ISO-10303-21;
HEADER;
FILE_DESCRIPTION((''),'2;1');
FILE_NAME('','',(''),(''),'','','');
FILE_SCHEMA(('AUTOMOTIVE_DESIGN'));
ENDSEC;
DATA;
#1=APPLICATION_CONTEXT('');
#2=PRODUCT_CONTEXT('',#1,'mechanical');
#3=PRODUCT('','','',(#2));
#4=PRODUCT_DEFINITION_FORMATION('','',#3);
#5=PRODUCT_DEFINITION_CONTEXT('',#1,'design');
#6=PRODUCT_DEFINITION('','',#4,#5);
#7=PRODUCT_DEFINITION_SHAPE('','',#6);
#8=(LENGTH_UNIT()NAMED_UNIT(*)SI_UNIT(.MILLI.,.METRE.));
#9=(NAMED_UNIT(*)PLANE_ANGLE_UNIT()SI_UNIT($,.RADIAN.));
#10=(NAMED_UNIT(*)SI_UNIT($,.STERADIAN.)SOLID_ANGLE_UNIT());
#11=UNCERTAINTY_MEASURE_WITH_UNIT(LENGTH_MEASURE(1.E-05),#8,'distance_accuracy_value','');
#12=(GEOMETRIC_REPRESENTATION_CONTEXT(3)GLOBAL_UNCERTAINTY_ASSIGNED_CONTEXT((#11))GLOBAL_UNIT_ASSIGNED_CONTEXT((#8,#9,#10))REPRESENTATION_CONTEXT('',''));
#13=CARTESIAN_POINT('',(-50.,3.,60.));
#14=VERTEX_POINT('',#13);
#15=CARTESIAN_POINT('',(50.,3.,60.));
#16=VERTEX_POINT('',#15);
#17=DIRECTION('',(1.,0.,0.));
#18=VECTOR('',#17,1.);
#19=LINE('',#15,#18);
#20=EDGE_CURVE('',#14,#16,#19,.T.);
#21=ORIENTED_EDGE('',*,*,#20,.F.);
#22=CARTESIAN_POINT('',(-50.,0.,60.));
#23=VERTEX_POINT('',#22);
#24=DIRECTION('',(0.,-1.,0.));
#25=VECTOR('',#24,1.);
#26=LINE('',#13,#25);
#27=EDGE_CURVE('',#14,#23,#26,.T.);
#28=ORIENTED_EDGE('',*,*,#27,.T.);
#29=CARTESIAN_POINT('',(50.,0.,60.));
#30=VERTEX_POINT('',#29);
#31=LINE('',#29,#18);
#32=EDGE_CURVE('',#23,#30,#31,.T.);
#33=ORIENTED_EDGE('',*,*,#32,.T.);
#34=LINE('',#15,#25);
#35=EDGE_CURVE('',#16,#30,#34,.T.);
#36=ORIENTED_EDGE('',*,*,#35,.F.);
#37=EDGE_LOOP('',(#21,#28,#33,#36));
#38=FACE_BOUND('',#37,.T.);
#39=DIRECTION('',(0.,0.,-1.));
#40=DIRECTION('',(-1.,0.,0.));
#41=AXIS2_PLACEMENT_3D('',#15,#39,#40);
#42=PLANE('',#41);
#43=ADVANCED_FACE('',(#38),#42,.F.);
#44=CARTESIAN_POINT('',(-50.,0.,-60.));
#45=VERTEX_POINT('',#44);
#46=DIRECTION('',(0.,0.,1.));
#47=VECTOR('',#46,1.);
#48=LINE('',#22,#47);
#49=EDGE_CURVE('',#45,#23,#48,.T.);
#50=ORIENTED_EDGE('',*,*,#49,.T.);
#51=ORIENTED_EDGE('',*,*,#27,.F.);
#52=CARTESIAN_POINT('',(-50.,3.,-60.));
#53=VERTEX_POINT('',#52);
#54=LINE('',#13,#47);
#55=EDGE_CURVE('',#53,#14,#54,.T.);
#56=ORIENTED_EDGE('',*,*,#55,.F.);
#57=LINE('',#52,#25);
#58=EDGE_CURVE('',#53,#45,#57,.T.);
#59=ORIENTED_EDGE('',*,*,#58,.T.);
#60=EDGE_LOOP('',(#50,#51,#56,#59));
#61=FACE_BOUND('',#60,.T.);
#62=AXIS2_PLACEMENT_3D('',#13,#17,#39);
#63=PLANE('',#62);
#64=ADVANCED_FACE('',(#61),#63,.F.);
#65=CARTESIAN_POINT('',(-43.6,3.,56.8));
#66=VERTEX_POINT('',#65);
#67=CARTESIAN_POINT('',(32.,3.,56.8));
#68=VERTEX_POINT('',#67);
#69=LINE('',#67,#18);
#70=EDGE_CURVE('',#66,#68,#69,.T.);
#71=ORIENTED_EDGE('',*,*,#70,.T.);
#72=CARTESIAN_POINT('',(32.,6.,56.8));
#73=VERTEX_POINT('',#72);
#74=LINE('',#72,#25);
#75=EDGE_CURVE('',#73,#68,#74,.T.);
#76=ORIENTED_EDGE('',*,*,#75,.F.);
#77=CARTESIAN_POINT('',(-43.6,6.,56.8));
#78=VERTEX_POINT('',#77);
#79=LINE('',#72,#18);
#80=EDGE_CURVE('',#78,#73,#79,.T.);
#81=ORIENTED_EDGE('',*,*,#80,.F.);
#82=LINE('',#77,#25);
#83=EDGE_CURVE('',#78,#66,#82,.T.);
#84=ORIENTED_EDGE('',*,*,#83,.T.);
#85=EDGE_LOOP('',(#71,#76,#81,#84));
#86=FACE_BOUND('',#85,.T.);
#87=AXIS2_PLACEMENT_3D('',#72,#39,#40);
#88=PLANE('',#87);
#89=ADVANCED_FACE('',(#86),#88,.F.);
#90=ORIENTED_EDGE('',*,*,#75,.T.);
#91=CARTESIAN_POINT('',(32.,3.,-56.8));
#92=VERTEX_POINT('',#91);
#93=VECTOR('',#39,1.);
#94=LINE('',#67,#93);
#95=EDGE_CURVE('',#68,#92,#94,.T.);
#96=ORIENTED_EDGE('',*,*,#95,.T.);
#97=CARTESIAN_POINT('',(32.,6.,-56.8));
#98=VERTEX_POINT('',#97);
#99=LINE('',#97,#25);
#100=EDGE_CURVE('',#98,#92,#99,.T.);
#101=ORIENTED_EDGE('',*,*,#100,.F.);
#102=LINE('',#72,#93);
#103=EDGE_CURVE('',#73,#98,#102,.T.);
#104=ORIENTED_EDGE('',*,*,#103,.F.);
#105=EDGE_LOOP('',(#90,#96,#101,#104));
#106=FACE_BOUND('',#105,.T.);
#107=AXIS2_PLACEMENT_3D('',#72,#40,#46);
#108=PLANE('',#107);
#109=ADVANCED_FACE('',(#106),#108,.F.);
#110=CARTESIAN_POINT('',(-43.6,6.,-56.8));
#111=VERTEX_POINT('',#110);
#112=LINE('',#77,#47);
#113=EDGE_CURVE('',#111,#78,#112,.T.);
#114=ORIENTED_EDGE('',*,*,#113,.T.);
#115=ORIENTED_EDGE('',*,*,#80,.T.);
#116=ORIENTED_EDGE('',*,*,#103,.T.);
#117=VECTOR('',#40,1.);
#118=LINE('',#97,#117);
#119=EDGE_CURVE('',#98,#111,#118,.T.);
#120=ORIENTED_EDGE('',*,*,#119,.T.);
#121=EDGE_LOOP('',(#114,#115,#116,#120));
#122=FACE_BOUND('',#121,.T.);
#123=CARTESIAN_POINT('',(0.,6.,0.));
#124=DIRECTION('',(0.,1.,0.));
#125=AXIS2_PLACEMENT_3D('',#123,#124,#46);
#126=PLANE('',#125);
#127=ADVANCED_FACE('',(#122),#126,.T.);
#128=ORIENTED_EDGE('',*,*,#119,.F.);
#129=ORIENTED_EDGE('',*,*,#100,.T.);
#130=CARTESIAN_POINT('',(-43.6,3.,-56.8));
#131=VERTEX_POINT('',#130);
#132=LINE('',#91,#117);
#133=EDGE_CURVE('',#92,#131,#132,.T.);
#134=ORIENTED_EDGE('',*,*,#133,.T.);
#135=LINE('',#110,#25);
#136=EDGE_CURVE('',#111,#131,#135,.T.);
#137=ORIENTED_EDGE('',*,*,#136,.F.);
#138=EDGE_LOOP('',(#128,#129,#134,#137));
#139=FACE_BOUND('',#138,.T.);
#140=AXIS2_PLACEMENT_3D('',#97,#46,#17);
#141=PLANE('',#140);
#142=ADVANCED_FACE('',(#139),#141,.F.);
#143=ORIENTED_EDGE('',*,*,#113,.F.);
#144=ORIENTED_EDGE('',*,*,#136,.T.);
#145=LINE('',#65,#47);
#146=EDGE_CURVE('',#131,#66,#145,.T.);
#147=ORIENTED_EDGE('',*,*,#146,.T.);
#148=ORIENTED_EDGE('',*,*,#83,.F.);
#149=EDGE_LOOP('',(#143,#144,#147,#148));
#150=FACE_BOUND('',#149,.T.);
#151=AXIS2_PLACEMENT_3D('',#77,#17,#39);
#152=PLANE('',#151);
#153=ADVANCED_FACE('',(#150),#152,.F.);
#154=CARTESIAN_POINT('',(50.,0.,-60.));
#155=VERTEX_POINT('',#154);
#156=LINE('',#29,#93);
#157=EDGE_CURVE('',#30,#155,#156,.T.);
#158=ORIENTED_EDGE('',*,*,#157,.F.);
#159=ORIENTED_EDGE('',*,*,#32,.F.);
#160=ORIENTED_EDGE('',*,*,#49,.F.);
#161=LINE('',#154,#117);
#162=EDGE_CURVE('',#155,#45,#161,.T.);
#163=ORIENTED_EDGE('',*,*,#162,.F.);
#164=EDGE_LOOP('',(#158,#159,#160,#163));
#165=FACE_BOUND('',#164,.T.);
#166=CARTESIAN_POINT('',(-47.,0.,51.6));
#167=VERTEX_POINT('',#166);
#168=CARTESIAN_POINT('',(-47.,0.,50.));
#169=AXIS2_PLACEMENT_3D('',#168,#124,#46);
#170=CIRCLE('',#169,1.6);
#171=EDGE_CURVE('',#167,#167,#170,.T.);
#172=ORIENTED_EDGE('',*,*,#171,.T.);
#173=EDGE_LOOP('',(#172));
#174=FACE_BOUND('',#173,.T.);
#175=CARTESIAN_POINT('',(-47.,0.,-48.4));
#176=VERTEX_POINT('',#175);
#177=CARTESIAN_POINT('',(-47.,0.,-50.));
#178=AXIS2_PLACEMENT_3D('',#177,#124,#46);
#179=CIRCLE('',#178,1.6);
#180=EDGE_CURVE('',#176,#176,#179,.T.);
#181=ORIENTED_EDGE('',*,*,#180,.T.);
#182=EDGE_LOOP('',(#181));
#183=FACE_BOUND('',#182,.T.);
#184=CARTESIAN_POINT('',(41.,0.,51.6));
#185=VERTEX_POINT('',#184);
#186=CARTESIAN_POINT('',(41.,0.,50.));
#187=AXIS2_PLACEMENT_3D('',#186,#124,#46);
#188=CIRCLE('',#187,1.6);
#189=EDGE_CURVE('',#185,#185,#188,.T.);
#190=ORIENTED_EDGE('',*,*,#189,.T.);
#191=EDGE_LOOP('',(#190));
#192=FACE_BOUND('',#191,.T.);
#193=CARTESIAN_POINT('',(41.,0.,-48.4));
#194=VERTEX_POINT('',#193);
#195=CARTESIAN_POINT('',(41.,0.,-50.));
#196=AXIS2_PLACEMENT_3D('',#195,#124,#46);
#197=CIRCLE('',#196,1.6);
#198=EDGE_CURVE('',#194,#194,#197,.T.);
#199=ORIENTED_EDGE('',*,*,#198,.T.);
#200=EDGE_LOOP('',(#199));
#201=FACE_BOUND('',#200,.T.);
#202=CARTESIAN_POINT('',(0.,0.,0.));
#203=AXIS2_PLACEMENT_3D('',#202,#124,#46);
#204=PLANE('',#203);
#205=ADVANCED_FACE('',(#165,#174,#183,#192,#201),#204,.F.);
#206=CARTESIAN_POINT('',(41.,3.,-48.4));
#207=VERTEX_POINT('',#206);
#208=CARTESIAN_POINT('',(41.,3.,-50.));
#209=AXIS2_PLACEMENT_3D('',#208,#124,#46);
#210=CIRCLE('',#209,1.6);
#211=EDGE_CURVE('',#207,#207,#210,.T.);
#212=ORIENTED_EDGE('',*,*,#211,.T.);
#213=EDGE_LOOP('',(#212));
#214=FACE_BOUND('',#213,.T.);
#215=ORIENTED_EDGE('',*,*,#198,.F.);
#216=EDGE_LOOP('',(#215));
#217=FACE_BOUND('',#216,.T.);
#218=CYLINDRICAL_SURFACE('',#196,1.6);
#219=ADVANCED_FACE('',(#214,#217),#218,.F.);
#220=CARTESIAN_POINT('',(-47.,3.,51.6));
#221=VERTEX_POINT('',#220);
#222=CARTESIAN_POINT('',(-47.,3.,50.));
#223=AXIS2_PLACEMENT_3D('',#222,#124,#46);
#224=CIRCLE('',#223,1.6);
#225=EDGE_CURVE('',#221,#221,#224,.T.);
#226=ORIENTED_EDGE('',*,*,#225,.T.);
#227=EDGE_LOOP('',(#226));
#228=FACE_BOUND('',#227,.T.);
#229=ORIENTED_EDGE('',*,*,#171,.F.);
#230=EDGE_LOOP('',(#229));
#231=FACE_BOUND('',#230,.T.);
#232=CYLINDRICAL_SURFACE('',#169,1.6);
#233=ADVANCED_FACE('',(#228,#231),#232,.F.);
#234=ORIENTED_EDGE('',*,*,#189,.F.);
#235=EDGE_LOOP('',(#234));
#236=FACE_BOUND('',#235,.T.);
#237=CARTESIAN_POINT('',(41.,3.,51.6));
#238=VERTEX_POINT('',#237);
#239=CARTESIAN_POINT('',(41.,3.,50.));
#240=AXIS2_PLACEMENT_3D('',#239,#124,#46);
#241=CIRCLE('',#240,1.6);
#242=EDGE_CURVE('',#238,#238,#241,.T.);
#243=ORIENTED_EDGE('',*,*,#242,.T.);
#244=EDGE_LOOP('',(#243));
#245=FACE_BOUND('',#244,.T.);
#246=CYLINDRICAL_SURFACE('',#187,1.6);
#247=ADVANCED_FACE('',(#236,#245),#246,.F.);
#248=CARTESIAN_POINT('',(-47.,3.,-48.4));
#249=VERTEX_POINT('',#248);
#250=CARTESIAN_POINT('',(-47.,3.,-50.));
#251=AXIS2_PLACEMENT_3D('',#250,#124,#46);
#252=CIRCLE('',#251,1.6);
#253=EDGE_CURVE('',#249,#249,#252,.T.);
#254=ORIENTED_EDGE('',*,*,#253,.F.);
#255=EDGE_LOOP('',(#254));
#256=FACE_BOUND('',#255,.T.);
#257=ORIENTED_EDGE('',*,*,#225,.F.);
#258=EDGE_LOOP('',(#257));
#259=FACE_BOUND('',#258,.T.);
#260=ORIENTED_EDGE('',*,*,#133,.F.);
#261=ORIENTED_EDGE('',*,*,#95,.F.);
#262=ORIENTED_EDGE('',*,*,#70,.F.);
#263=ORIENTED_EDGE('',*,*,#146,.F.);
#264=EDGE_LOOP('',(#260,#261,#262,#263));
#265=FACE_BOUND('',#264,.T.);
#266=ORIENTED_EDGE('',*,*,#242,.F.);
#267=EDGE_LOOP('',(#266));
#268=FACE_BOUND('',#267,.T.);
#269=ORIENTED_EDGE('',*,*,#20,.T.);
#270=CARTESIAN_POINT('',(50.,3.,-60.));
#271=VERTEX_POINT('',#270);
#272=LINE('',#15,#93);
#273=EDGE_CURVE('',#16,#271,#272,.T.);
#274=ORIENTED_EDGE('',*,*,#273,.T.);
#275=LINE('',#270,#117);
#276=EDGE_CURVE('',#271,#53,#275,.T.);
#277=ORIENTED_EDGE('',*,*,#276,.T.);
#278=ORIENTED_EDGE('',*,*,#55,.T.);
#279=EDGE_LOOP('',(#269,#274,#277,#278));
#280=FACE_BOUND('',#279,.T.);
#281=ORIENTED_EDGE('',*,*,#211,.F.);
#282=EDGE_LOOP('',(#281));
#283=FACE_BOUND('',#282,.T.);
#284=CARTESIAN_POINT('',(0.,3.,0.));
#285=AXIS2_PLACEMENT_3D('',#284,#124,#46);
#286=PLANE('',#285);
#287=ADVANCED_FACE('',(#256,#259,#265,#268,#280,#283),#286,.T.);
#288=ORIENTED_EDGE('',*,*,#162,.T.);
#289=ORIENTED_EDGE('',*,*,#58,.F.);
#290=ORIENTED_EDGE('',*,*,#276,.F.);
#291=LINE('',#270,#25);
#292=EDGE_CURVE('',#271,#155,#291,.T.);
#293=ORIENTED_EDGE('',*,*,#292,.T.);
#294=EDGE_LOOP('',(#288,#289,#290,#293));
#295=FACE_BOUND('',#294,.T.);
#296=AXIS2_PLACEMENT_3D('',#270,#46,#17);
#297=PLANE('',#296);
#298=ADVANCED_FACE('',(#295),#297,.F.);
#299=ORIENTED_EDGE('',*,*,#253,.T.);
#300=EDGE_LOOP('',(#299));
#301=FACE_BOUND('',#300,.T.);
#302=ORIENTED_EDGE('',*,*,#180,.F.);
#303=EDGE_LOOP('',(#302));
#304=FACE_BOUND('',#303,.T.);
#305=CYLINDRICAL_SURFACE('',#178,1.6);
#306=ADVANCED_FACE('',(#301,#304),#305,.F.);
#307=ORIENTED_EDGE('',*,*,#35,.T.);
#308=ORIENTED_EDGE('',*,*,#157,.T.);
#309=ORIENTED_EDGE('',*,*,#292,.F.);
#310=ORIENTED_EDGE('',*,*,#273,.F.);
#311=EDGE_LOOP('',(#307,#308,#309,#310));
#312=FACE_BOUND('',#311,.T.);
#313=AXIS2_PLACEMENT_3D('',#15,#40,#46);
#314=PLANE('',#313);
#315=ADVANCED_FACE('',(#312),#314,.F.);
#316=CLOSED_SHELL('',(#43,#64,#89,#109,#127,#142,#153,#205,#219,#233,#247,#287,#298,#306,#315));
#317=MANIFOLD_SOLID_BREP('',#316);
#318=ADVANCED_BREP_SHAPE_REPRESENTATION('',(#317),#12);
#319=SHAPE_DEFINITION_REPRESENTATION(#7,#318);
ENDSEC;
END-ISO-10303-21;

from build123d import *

# Parameters (mm, degrees)
SKETCH1_W           = 100
SKETCH1_H           = 120
BOSS_EXTRUDE1_DEPTH = 3
SKETCH2_W           = 75.6
SKETCH2_H           = 113.6
BOSS_EXTRUDE2_DEPTH = 3
SKETCH3_R           = 1.6
CUT_EXTRUDE1_DEPTH  = 79.160092119


with BuildPart() as part:
    # Sketch1 → Boss-Extrude1 (new body)
    with BuildSketch(Plane(origin=(0, 0, 0), x_dir=(1, 0, 0), z_dir=(0, 1, 0))):
        Rectangle(SKETCH1_W, SKETCH1_H)
    extrude(amount=BOSS_EXTRUDE1_DEPTH)

    # Sketch2 → Boss-Extrude2 (add)
    with BuildSketch(Plane(origin=(0, 3, 0), x_dir=(1, 0, 0), z_dir=(0, 1, 0))):
        with Locations((-5.8, 0)):
            Rectangle(SKETCH2_W, SKETCH2_H)
    extrude(amount=BOSS_EXTRUDE2_DEPTH)

    # Sketch3 → Cut-Extrude1 (cut, through all)
    with BuildSketch(Plane(origin=(0, 3, 0), x_dir=(1, 0, 0), z_dir=(0, 1, 0))):
        with Locations(Location((41, -50, 0), (0, 0, 270))):
            Circle(SKETCH3_R)
        with Locations(Location((41, 50, 0), (0, 0, 270))):
            Circle(SKETCH3_R)
        with Locations(Location((-47, -50, 0), (0, 0, 270))):
            Circle(SKETCH3_R)
        with Locations(Location((-47, 50, 0), (0, 0, 270))):
            Circle(SKETCH3_R)
    extrude(amount=-CUT_EXTRUDE1_DEPTH, mode=Mode.SUBTRACT)


solid = part.part
